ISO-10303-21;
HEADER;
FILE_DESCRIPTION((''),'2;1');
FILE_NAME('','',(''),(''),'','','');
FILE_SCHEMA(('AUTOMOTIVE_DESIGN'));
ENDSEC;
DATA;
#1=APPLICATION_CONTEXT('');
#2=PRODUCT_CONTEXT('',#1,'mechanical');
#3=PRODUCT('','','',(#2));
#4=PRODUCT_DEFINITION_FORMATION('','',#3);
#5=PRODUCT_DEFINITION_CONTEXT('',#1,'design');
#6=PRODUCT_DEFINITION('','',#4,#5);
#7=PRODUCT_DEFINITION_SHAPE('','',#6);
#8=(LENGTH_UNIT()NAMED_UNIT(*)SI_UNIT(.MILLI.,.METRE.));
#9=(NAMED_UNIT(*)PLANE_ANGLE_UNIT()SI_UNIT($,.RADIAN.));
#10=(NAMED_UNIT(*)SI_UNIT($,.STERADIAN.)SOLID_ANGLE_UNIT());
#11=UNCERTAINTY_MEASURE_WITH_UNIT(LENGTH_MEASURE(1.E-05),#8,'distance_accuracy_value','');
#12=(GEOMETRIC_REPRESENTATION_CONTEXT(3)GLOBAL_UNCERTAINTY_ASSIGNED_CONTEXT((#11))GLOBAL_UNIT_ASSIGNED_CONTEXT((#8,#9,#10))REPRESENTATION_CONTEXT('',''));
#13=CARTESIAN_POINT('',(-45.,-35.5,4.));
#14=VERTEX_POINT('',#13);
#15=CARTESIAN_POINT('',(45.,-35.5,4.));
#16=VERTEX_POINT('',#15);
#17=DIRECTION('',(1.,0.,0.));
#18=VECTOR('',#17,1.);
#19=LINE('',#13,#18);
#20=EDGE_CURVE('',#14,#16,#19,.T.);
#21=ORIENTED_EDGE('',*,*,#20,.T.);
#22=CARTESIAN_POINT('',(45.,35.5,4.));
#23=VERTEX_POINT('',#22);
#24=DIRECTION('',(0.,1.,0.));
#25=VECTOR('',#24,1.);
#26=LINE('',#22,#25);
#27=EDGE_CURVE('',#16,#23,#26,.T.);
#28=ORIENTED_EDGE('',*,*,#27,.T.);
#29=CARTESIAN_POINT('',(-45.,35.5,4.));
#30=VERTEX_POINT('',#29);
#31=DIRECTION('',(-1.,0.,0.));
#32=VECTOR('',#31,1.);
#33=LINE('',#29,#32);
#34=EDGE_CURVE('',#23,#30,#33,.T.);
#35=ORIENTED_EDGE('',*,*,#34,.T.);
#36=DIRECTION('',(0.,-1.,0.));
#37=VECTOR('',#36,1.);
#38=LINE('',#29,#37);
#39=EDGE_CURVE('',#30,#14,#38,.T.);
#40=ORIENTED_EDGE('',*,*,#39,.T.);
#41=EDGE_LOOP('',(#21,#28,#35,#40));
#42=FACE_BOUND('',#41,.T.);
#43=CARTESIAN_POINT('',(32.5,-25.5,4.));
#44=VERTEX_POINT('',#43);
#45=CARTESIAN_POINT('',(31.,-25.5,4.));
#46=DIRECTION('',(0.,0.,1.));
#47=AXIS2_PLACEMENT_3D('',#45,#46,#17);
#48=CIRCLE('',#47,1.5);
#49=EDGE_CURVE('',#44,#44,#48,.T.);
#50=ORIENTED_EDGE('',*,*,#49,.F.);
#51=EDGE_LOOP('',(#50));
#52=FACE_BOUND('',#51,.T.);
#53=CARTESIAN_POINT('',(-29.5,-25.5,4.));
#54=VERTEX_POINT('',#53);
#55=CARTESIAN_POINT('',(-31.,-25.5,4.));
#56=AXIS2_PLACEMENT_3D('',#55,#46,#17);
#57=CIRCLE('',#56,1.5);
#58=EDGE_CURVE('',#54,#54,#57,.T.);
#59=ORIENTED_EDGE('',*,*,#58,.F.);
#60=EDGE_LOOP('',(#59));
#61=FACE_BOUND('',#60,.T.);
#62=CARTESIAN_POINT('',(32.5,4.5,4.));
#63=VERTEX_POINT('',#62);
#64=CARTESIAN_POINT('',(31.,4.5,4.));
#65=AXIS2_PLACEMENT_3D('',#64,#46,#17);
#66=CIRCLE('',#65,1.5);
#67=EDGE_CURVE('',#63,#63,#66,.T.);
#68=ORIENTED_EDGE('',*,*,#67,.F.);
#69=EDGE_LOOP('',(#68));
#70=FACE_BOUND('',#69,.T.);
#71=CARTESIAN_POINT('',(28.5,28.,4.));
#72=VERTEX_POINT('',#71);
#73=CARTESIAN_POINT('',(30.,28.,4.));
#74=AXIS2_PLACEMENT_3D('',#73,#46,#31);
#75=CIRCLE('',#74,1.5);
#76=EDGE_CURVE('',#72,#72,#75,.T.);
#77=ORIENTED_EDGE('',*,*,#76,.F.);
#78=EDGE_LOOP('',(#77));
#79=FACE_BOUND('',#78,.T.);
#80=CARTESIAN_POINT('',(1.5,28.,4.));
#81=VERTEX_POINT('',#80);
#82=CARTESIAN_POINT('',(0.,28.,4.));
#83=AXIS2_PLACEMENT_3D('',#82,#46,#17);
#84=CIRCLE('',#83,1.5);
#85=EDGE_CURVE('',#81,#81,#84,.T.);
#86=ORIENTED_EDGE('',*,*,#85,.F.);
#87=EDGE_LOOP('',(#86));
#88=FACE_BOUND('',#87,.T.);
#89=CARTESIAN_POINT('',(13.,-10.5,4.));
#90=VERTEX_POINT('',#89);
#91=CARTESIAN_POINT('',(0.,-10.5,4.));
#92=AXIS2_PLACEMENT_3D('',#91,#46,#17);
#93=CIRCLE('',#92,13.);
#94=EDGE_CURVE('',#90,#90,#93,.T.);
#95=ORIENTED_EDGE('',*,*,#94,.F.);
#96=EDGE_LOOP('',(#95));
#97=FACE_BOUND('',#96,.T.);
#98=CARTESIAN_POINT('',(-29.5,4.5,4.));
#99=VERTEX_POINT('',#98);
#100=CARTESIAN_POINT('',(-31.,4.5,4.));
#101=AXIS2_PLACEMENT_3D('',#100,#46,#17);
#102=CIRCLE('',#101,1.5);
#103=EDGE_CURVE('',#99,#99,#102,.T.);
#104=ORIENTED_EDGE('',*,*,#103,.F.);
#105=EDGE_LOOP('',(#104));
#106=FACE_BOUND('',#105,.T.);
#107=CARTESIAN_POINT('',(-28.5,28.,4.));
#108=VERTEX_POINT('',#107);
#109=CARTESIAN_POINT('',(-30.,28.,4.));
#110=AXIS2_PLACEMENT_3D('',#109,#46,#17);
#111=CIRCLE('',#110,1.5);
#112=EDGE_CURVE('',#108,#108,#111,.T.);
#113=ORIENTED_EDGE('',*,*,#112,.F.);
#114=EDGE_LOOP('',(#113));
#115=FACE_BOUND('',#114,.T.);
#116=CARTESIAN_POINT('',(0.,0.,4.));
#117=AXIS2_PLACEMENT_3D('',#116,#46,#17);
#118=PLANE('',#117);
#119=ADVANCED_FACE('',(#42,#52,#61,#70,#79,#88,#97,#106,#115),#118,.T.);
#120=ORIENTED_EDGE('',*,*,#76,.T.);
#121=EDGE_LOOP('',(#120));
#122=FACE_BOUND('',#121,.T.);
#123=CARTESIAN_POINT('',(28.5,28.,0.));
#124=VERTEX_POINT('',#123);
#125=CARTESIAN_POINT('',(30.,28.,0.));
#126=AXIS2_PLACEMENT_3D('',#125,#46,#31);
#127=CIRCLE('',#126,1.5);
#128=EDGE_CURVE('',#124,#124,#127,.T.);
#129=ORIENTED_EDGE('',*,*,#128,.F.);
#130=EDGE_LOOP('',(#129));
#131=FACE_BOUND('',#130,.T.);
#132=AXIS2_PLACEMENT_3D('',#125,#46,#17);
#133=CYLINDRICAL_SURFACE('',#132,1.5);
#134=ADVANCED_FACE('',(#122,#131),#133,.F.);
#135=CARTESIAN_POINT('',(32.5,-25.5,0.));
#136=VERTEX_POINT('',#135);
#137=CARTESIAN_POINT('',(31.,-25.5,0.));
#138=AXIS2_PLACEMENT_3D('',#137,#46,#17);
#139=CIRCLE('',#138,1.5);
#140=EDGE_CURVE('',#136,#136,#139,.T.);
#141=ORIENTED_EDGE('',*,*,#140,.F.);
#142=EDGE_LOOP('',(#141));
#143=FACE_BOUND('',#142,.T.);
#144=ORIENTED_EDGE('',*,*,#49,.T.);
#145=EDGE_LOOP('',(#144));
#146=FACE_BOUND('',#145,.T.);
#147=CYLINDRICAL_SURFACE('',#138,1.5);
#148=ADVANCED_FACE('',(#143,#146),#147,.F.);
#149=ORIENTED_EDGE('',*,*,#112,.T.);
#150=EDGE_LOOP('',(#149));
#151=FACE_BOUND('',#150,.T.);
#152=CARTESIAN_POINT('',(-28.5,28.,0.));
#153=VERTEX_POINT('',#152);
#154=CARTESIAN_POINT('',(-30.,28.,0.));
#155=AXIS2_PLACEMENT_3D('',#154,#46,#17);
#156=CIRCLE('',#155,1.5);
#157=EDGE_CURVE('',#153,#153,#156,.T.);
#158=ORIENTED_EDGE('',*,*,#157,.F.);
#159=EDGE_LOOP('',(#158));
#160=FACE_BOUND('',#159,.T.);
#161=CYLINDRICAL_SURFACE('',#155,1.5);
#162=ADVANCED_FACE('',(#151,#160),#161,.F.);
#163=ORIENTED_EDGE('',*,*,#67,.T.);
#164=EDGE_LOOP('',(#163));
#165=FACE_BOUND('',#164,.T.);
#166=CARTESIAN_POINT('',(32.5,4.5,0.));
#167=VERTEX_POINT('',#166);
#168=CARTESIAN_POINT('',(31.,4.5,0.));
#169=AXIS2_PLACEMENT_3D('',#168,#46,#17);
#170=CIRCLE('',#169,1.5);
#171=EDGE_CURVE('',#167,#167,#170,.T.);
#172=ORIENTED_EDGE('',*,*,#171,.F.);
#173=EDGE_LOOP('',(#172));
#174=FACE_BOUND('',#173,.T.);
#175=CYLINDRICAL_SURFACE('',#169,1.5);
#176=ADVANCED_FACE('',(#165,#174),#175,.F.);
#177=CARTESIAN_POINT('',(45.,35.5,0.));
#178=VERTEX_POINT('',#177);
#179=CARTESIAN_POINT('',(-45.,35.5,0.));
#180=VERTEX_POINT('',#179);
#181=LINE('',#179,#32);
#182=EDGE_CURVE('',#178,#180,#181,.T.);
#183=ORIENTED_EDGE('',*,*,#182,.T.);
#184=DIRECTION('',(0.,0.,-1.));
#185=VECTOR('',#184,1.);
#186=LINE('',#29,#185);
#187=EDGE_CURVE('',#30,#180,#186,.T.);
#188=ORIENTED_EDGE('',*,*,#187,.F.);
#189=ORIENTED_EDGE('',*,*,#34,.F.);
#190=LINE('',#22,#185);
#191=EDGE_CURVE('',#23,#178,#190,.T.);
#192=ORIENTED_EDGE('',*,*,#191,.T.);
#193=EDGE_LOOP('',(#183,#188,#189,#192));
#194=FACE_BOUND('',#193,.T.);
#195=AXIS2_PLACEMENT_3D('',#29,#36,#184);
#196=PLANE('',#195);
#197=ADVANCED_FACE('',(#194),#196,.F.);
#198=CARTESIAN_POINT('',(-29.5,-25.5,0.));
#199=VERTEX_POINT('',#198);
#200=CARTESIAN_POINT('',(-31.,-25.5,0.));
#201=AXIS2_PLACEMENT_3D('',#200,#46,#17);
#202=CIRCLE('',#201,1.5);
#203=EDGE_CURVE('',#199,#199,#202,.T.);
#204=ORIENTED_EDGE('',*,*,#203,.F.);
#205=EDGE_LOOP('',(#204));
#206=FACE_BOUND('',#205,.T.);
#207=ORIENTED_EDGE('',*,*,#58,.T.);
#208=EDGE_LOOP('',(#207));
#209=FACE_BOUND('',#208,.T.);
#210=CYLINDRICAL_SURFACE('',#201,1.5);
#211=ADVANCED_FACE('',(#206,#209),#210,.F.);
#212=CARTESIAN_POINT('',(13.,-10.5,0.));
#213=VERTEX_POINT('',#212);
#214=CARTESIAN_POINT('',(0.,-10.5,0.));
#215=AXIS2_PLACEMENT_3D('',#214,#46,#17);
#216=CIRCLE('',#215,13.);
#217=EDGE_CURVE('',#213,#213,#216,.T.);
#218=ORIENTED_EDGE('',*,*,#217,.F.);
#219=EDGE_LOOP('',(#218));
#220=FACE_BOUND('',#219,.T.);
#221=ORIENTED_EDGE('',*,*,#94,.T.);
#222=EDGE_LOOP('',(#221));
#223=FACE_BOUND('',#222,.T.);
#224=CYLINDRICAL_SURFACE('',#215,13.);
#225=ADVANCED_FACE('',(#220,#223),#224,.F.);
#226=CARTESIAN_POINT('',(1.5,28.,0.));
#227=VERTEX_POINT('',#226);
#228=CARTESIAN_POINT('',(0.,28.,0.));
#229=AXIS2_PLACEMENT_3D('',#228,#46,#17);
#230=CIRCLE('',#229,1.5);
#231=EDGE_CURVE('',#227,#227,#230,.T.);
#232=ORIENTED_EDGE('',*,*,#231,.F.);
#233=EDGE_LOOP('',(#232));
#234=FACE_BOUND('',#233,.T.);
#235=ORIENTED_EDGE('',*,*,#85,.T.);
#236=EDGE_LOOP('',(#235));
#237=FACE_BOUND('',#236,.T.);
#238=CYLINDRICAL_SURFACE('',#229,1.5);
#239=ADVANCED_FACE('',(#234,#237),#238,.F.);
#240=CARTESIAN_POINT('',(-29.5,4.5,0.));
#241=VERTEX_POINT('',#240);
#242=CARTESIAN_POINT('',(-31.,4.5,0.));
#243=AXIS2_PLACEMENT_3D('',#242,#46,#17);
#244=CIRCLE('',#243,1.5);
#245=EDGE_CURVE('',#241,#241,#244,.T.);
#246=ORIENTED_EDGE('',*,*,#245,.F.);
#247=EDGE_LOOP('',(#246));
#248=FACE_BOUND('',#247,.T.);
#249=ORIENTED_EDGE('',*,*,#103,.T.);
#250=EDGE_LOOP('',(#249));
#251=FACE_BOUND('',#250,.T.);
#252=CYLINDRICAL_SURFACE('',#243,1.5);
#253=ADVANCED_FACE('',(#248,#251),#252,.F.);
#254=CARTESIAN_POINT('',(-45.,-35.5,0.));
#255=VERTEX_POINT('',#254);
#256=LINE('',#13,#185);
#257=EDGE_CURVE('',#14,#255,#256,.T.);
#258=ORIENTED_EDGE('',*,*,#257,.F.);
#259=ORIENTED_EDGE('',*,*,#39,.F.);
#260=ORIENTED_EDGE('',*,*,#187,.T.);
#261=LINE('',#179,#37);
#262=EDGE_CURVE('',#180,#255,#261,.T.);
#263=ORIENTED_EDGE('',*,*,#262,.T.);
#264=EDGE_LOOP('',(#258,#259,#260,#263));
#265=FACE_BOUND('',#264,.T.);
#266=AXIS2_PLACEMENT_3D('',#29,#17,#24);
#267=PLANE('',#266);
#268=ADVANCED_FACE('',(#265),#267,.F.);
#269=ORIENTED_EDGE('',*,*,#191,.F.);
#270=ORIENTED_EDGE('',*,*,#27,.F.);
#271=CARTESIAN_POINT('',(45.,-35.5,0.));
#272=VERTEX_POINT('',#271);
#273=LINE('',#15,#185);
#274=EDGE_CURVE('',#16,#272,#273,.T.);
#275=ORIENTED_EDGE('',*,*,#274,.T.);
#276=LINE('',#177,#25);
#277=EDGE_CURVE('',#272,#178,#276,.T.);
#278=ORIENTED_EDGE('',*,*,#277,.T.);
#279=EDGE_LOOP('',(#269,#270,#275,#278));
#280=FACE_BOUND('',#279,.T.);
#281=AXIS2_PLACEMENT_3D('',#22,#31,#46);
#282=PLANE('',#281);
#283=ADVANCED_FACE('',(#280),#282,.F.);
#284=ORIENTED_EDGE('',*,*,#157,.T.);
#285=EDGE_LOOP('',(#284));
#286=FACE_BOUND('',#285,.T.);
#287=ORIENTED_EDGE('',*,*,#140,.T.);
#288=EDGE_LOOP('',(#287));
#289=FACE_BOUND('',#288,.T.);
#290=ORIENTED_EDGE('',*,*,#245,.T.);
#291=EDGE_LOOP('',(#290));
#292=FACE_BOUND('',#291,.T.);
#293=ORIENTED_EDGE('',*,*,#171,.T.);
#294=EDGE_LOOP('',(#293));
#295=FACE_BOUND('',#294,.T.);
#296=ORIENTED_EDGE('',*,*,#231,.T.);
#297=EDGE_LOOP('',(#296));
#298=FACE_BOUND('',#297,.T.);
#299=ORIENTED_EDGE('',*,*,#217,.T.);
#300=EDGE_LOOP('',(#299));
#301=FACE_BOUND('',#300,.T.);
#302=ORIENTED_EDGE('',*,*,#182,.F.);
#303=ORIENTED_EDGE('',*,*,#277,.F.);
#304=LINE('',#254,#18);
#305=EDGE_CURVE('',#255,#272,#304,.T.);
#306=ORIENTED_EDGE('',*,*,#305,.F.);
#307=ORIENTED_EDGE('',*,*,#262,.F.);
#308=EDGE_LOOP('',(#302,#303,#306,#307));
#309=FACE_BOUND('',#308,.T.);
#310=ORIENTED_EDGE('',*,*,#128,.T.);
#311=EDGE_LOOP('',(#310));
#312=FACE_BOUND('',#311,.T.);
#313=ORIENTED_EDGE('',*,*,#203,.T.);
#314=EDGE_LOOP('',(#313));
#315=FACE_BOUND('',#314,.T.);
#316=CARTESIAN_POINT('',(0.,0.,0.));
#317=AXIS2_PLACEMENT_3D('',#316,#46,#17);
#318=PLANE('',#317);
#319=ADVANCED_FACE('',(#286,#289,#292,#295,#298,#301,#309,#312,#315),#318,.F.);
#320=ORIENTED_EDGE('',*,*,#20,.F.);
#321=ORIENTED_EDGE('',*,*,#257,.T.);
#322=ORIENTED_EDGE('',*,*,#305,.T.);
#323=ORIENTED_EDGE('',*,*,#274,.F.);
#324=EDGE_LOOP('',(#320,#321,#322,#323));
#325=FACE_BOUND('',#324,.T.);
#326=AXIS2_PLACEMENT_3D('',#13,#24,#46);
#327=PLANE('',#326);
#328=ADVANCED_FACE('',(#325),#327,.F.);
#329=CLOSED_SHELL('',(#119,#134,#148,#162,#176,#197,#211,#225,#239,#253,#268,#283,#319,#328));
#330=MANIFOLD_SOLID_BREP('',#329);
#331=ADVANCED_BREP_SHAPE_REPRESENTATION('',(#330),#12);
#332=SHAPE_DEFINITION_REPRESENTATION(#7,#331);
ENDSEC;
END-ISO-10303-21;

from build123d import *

# Parameters (mm, degrees)
SKETCH_1_W          = 90
SKETCH_1_H          = 71
EXTRUDE_1_DEPTH     = 4
SKETCH_2_R          = 1.5
CUT_EXTRUDE_1_DEPTH = 58.456505289
SKETCH_3_R          = 13
SKETCH_3_R_2        = 1.5
CUT_EXTRUDE_2_DEPTH = 58.456505289


with BuildPart() as part:
    # 草图1 → 凸台-拉伸1 (new body)
    with BuildSketch(Plane.XY):
        Rectangle(SKETCH_1_W, SKETCH_1_H)
    extrude(amount=EXTRUDE_1_DEPTH)

    # 草图2 → 切除-拉伸1 (cut, through all)
    with BuildSketch(Plane.XY.offset(4)):
        with Locations((0, 28)):
            Circle(SKETCH_2_R)
        with Locations((-30, 28)):
            Circle(SKETCH_2_R)
        with Locations(Location((30, 28, 0), (0, 0, 180))):
            Circle(SKETCH_2_R)
    extrude(amount=-CUT_EXTRUDE_1_DEPTH, mode=Mode.SUBTRACT)

    # 草图3 → 切除-拉伸2 (cut, through all)
    with BuildSketch(Plane.XY.offset(4)):
        with Locations((0, -10.5)):
            Circle(SKETCH_3_R)
        with Locations((-31, 4.5)):
            Circle(SKETCH_3_R_2)
        with Locations((-31, -25.5)):
            Circle(SKETCH_3_R_2)
        with Locations((31, -25.5)):
            Circle(SKETCH_3_R_2)
        with Locations((31, 4.5)):
            Circle(SKETCH_3_R_2)
    extrude(amount=-CUT_EXTRUDE_2_DEPTH, mode=Mode.SUBTRACT)


solid = part.part
